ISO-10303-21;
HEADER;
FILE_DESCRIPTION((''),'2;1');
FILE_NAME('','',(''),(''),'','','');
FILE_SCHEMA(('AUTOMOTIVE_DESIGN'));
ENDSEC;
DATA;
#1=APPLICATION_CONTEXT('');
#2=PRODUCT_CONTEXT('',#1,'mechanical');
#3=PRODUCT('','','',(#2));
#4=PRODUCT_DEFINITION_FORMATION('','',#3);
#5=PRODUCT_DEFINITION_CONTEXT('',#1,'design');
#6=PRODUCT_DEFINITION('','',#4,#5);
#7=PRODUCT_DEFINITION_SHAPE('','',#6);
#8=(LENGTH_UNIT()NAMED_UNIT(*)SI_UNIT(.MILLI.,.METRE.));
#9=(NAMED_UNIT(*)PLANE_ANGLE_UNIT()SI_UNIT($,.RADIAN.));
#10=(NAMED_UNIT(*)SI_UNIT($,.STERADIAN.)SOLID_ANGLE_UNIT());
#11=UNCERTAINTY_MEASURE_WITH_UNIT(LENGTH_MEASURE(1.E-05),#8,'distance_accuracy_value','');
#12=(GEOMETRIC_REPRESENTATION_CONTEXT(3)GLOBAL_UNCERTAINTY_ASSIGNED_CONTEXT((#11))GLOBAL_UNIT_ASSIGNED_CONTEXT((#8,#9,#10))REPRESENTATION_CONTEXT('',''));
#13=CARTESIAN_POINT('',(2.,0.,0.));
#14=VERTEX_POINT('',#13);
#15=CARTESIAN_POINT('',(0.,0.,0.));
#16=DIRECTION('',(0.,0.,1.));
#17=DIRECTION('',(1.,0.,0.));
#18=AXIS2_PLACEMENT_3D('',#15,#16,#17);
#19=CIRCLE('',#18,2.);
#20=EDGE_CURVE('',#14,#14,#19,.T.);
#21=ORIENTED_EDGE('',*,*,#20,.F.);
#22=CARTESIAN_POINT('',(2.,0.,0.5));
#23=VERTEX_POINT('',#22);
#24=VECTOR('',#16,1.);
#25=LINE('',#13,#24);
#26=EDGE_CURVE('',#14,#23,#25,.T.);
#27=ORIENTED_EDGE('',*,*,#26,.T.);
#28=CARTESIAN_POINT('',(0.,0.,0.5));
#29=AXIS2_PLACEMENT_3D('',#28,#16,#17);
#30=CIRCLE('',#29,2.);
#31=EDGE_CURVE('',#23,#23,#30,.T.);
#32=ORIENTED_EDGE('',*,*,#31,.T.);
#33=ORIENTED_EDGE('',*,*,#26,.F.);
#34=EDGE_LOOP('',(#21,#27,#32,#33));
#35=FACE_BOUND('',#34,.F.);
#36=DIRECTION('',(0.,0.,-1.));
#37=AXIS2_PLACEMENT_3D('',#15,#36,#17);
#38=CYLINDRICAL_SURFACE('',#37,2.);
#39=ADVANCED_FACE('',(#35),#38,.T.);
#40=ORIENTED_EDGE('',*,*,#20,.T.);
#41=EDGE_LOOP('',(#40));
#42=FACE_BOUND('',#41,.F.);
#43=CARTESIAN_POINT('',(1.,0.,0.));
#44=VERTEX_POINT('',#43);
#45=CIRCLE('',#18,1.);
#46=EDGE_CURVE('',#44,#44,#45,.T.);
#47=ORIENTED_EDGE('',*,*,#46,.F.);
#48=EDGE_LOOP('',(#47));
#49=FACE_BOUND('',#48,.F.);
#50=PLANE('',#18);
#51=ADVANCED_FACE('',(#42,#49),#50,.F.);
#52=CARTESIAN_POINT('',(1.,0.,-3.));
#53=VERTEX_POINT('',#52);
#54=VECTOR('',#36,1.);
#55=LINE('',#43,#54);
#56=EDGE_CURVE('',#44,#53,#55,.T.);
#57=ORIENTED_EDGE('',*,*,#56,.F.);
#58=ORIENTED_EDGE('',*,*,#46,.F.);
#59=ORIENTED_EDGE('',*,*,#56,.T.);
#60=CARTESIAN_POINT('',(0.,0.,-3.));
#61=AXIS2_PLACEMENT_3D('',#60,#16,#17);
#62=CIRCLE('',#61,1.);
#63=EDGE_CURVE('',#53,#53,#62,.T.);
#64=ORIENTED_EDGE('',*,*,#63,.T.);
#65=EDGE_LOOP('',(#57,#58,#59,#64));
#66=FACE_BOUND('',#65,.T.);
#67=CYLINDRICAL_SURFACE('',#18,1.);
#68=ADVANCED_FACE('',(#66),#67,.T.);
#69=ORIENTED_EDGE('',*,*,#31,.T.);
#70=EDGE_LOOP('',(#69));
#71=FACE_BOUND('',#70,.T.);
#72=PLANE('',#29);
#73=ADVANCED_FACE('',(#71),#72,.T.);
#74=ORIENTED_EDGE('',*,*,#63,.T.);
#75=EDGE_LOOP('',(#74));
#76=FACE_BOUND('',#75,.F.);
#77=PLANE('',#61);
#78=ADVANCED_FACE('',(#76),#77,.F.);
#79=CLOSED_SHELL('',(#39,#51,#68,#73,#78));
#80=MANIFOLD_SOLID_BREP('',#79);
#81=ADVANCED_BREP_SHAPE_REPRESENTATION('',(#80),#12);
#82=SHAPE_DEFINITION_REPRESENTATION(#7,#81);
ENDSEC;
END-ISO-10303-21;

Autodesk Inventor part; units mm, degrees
ref_plane "YZ Plane" through (0, 0, 0) normal (1, 0, 0) x (0, 1, 0)
ref_plane "XZ Plane" through (0, 0, 0) normal (0, 1, 0) x (-1, 0, 0)
ref_plane "XY Plane" through (0, 0, 0) normal (0, 0, 1) x (1, 0, 0)
sketch "スケッチ1" plane through (0, 0, 0) normal (0, 0, 1) x (1, 0, 0)
  circle A0 centre (0, 0) radius 2
  circle A1 centre (0, 0) radius 1
  dimension "d0" = 4
  dimension "d1" = 2
extrude "押し出し1" add sketch "スケッチ1" along normal blind 0.5 contours A0 | A1
extrude "押し出し2" add sketch "スケッチ1" against normal blind 3 contours A1
properties part number "m2-超極低頭十字穴付きボルト-3mm"
